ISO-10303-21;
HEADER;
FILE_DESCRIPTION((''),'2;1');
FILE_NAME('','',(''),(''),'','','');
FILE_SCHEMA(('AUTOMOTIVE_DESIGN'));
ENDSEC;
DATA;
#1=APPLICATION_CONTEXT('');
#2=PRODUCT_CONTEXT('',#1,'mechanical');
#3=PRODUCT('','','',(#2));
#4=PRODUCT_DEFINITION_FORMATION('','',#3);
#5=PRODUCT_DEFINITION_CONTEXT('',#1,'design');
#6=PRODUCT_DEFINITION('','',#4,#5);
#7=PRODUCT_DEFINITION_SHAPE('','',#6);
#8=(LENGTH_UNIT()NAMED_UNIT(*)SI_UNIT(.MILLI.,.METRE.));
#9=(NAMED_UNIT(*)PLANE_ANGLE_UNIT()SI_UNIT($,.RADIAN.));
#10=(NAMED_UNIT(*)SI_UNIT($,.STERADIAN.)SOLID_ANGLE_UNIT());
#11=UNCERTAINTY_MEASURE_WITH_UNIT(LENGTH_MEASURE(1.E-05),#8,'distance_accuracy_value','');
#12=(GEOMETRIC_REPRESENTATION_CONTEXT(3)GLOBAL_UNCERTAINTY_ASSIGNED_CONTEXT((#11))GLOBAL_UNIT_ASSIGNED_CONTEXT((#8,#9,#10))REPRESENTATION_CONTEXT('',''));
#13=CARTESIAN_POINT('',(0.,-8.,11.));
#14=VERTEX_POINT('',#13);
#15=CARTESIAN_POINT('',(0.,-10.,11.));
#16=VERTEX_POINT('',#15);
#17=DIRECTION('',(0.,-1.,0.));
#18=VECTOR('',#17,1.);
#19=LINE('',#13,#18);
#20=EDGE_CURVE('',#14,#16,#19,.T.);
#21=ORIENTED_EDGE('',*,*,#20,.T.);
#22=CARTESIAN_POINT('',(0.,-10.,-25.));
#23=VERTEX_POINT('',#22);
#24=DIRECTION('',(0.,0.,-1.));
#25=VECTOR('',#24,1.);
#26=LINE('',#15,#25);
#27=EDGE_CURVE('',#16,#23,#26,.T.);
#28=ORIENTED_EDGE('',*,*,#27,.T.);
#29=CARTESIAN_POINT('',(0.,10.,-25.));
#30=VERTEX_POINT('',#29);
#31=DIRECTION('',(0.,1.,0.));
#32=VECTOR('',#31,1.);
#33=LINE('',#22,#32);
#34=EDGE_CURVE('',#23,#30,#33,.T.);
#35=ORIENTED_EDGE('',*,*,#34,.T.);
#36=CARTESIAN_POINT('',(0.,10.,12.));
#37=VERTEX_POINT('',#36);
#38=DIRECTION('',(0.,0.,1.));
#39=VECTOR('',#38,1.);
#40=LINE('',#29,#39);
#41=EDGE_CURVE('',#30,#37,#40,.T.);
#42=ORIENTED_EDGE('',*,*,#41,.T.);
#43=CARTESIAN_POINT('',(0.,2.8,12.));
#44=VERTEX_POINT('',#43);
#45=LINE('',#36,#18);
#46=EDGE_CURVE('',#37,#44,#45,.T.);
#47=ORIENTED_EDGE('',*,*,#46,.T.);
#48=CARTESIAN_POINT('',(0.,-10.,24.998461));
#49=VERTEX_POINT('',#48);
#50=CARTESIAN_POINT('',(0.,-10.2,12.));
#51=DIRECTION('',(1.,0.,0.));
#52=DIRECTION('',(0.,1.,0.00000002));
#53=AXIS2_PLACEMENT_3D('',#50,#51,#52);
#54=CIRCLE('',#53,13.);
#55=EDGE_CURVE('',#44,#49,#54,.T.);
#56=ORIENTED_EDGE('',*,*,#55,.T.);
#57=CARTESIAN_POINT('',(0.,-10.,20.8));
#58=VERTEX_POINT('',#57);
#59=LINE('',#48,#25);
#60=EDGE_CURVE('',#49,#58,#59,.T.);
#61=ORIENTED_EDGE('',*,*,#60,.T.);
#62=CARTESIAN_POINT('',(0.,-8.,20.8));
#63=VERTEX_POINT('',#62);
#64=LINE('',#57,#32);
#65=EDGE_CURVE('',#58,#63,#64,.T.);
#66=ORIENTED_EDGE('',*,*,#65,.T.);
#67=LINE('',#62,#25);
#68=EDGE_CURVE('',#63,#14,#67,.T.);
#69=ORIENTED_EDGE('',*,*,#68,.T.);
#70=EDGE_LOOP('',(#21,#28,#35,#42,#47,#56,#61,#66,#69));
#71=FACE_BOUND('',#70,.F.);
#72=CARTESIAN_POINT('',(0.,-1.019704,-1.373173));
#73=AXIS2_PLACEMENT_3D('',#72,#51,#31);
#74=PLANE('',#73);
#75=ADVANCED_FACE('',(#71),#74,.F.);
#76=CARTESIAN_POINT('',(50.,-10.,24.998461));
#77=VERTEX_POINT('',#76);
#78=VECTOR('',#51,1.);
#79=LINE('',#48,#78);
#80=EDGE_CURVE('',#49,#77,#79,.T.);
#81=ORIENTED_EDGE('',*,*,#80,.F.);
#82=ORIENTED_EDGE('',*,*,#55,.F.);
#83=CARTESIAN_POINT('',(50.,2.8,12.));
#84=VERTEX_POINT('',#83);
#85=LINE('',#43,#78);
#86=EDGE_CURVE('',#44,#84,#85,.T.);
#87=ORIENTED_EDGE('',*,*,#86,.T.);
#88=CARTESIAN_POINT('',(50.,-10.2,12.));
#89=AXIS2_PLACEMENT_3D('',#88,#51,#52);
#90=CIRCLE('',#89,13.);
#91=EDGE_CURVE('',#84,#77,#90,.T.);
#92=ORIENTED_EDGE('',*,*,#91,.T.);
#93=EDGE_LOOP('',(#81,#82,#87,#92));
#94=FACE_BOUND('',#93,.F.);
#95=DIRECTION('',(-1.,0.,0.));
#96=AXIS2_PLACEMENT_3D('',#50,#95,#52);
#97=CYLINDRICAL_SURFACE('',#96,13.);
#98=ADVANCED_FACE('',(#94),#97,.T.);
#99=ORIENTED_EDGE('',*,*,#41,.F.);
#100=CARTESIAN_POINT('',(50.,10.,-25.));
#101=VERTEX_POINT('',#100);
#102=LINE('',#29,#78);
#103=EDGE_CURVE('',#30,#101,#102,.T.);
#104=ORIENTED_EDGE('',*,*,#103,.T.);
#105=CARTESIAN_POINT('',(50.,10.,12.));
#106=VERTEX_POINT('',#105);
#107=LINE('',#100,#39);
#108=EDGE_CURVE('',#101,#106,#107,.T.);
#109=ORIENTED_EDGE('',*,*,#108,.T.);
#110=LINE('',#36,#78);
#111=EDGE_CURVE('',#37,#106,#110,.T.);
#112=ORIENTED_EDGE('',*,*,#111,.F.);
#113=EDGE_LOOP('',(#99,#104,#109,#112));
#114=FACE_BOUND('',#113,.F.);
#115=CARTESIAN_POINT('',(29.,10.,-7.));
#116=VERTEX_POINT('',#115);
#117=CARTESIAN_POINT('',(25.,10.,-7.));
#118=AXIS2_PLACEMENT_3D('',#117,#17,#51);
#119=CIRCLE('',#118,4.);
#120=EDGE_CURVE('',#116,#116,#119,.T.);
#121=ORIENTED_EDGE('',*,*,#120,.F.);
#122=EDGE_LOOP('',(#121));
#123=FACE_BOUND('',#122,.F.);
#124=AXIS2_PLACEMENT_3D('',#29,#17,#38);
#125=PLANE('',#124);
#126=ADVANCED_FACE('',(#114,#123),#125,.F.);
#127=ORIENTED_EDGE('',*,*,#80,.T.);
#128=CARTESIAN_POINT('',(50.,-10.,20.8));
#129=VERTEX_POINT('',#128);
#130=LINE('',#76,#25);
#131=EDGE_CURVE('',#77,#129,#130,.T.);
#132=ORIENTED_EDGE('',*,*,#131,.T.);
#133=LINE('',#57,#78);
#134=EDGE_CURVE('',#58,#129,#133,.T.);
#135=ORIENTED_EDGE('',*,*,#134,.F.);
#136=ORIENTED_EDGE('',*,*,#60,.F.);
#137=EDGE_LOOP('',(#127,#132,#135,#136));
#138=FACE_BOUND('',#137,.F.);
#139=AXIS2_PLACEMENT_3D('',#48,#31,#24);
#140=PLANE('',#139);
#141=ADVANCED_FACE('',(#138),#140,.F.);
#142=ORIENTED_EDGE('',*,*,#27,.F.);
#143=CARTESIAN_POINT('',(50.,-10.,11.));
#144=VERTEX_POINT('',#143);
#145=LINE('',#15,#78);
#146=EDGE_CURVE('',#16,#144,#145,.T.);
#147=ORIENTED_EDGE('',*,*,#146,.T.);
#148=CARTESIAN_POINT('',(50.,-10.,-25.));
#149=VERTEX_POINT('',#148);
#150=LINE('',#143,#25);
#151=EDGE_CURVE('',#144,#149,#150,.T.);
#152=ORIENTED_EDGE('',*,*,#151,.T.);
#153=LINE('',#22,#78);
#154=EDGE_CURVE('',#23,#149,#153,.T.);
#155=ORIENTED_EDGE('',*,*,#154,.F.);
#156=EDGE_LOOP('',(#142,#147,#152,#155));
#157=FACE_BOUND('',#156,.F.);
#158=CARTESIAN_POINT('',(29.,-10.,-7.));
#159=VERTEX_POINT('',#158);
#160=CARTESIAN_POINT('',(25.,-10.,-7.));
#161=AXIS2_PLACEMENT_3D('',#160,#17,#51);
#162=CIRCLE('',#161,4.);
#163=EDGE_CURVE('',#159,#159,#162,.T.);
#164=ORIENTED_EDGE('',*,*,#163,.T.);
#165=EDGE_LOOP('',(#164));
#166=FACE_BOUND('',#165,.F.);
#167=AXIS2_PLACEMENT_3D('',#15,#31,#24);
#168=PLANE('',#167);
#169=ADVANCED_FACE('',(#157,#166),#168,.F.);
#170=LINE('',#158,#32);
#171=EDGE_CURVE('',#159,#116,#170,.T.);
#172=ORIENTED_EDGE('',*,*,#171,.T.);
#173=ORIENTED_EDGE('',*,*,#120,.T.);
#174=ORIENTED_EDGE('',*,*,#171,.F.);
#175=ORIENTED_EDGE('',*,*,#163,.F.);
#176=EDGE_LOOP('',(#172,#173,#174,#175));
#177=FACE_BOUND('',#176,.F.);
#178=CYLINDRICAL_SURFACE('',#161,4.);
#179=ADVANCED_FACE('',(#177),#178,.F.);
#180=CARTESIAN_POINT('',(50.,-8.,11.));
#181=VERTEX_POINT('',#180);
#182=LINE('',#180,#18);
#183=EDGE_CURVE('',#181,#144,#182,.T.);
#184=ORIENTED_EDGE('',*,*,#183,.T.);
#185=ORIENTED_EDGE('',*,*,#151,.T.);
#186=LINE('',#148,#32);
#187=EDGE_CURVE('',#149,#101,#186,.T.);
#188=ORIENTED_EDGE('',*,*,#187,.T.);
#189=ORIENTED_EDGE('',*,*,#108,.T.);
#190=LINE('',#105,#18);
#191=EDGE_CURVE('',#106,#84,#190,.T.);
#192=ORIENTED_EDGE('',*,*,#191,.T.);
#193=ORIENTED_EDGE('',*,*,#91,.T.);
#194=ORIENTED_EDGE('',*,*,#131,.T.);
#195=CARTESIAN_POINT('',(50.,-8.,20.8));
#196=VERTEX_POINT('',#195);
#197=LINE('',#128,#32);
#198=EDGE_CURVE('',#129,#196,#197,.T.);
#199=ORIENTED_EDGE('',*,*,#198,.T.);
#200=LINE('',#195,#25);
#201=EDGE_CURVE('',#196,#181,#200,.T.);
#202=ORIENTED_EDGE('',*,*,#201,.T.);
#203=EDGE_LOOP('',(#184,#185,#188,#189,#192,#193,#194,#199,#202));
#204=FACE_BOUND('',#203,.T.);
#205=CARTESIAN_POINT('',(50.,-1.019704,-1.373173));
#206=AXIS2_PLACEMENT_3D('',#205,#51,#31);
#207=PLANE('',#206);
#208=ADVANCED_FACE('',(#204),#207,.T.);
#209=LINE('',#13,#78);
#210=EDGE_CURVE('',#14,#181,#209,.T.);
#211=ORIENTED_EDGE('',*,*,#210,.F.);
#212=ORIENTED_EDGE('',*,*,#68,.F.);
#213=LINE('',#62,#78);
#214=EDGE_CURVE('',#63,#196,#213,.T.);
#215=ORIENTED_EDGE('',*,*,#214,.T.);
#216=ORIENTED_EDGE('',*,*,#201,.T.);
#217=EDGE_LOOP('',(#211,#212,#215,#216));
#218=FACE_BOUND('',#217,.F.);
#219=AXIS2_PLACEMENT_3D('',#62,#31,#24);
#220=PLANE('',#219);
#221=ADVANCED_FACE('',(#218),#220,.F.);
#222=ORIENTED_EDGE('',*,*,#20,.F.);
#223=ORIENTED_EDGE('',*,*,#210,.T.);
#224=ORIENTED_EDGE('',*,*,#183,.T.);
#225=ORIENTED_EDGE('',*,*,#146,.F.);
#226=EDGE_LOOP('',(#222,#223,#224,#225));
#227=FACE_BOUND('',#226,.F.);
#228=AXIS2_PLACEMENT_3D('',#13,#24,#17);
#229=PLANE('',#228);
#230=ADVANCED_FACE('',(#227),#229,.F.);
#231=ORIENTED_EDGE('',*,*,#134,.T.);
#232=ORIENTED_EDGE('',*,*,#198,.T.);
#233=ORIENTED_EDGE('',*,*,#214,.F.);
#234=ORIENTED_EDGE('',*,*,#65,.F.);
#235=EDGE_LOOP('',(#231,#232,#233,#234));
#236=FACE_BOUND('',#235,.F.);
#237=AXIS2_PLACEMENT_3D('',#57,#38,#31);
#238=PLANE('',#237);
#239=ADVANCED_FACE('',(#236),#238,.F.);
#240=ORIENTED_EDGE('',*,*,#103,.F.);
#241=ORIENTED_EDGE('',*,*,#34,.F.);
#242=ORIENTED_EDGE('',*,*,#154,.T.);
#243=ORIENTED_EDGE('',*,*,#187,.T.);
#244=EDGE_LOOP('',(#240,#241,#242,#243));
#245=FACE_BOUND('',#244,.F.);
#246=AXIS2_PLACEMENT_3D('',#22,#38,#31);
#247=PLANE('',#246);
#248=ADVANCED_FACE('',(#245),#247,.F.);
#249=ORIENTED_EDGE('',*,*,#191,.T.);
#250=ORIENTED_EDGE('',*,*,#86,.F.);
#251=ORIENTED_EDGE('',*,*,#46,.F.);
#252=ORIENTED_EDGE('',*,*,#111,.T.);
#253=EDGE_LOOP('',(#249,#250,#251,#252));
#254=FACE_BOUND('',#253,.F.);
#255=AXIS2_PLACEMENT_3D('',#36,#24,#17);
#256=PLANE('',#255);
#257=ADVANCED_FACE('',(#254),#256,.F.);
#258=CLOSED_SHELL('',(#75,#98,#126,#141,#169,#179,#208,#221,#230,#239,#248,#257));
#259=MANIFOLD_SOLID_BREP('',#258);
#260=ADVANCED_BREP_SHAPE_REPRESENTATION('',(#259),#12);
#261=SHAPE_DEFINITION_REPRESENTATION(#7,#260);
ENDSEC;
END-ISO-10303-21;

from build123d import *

# Parameters (mm, degrees)
F1_DEPTH = 50
F2_R     = 4
F3_DEPTH = 50


with BuildPart() as f1:
    # F0 (on Right) → F1 (new body)
    with BuildSketch(Plane.YZ):
        with BuildLine():
            ThreePointArc((2.8, 12), (-0.937171, 21.121403), (-10, 24.998461))
            Line((-10, 24.998461), (-10, 20.8))
            Line((-10, 20.8), (-8, 20.8))
            Line((-8, 20.8), (-8, 11))
            Line((-8, 11), (-10, 11))
            Line((-10, 11), (-10, -25))
            Line((-10, -25), (10, -25))
            Line((10, -25), (10, 12))
            Line((10, 12), (2.8, 12))
        make_face()
    extrude(amount=F1_DEPTH)

    # F2 (on face) → F3 (cut)
    with BuildSketch(Plane.XZ.offset(10)):
        with Locations((25, -7)):
            Circle(F2_R)
    extrude(amount=-F3_DEPTH, mode=Mode.SUBTRACT)


solid = f1.part
